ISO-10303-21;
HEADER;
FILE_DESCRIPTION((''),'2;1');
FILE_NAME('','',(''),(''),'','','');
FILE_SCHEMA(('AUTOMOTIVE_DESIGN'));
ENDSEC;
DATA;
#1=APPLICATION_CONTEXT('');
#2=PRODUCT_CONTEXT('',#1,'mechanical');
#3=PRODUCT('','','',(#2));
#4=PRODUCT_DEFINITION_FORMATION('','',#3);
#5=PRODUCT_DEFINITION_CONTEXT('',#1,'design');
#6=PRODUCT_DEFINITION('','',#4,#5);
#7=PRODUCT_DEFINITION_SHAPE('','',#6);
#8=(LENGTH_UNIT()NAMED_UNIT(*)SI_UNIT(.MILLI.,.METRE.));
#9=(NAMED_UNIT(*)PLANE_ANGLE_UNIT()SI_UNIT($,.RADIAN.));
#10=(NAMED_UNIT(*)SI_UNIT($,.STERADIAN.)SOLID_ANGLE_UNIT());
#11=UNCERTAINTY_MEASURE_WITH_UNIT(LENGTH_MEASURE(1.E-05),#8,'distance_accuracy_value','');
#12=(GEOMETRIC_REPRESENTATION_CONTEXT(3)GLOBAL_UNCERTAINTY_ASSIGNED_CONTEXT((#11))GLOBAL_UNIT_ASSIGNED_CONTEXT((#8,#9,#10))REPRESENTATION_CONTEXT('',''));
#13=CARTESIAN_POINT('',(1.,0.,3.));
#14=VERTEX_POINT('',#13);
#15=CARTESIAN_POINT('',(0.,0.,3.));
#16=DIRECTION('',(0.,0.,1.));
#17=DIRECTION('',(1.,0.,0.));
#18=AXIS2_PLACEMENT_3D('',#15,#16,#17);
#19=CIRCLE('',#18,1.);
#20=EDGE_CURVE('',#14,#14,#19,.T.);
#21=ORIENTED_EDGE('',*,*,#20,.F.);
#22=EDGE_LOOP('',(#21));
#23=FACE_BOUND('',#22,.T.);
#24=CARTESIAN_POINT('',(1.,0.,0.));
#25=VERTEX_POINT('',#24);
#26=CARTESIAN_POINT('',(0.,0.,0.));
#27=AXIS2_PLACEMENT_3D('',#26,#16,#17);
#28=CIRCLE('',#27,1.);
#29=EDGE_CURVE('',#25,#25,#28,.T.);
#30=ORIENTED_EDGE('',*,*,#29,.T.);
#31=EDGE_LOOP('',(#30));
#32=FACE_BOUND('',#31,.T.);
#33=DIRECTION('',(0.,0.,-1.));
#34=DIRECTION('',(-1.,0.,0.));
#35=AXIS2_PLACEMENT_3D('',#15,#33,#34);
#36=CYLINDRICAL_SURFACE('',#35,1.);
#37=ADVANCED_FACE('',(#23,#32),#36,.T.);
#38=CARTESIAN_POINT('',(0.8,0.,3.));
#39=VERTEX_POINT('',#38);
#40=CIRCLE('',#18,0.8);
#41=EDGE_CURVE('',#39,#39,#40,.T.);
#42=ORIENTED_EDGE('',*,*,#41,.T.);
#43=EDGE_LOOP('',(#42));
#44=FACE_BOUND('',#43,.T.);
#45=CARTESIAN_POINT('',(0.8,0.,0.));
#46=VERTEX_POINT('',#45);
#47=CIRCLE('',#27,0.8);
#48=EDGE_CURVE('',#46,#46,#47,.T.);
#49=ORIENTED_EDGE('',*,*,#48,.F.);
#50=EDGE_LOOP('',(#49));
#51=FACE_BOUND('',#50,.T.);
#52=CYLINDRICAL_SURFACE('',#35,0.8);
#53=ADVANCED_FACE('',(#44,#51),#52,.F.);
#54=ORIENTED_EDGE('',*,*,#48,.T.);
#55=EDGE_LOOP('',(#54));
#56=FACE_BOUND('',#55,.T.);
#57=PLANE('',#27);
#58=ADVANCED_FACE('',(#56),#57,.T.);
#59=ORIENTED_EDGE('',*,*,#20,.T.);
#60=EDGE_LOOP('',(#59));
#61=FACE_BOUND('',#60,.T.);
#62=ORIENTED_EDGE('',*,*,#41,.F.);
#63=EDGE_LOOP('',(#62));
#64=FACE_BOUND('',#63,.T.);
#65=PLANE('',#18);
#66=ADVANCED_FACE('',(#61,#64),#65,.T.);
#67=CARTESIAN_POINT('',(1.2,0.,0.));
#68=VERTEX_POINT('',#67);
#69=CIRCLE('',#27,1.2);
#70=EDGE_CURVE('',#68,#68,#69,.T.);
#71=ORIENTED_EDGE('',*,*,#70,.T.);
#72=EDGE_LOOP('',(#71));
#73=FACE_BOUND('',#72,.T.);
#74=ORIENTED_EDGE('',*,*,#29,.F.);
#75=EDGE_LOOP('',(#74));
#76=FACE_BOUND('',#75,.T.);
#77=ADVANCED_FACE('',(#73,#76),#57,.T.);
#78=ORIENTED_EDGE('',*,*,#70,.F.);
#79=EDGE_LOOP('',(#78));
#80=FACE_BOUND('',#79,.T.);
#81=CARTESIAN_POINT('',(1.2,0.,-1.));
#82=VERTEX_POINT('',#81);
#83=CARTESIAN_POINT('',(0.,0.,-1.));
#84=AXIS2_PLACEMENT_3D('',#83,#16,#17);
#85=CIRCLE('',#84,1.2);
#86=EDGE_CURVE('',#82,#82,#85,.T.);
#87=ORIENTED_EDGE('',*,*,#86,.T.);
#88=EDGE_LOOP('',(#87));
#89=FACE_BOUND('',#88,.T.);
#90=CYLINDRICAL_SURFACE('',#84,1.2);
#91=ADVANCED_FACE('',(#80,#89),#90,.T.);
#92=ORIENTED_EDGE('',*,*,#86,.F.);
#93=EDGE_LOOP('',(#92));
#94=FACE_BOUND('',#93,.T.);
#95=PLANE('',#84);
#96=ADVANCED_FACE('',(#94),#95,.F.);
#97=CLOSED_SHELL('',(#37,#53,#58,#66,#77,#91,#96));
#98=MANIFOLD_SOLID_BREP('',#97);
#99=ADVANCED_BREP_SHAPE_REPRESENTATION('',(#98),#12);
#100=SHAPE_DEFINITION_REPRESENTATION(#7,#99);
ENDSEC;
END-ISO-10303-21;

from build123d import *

# Parameters (mm, degrees)
CROQUIS1_R              = 1
CROQUIS1_R_2            = 0.8
SALIENTE_EXTRUIR1_DEPTH = 3
CROQUIS1_3_R            = 1.2
SALIENTE_EXTRUIR2_DEPTH = 1


with BuildPart() as part:
    # Croquis1 → Saliente-Extruir1 (new body)
    with BuildSketch(Plane.XY):
        Circle(CROQUIS1_R)
        Circle(CROQUIS1_R_2, mode=Mode.SUBTRACT)
    extrude(amount=SALIENTE_EXTRUIR1_DEPTH)

    # Croquis1<3> → Saliente-Extruir2 (add)
    with BuildSketch(Plane.XY):
        Circle(CROQUIS1_3_R)
    extrude(amount=-SALIENTE_EXTRUIR2_DEPTH)


solid = part.part
